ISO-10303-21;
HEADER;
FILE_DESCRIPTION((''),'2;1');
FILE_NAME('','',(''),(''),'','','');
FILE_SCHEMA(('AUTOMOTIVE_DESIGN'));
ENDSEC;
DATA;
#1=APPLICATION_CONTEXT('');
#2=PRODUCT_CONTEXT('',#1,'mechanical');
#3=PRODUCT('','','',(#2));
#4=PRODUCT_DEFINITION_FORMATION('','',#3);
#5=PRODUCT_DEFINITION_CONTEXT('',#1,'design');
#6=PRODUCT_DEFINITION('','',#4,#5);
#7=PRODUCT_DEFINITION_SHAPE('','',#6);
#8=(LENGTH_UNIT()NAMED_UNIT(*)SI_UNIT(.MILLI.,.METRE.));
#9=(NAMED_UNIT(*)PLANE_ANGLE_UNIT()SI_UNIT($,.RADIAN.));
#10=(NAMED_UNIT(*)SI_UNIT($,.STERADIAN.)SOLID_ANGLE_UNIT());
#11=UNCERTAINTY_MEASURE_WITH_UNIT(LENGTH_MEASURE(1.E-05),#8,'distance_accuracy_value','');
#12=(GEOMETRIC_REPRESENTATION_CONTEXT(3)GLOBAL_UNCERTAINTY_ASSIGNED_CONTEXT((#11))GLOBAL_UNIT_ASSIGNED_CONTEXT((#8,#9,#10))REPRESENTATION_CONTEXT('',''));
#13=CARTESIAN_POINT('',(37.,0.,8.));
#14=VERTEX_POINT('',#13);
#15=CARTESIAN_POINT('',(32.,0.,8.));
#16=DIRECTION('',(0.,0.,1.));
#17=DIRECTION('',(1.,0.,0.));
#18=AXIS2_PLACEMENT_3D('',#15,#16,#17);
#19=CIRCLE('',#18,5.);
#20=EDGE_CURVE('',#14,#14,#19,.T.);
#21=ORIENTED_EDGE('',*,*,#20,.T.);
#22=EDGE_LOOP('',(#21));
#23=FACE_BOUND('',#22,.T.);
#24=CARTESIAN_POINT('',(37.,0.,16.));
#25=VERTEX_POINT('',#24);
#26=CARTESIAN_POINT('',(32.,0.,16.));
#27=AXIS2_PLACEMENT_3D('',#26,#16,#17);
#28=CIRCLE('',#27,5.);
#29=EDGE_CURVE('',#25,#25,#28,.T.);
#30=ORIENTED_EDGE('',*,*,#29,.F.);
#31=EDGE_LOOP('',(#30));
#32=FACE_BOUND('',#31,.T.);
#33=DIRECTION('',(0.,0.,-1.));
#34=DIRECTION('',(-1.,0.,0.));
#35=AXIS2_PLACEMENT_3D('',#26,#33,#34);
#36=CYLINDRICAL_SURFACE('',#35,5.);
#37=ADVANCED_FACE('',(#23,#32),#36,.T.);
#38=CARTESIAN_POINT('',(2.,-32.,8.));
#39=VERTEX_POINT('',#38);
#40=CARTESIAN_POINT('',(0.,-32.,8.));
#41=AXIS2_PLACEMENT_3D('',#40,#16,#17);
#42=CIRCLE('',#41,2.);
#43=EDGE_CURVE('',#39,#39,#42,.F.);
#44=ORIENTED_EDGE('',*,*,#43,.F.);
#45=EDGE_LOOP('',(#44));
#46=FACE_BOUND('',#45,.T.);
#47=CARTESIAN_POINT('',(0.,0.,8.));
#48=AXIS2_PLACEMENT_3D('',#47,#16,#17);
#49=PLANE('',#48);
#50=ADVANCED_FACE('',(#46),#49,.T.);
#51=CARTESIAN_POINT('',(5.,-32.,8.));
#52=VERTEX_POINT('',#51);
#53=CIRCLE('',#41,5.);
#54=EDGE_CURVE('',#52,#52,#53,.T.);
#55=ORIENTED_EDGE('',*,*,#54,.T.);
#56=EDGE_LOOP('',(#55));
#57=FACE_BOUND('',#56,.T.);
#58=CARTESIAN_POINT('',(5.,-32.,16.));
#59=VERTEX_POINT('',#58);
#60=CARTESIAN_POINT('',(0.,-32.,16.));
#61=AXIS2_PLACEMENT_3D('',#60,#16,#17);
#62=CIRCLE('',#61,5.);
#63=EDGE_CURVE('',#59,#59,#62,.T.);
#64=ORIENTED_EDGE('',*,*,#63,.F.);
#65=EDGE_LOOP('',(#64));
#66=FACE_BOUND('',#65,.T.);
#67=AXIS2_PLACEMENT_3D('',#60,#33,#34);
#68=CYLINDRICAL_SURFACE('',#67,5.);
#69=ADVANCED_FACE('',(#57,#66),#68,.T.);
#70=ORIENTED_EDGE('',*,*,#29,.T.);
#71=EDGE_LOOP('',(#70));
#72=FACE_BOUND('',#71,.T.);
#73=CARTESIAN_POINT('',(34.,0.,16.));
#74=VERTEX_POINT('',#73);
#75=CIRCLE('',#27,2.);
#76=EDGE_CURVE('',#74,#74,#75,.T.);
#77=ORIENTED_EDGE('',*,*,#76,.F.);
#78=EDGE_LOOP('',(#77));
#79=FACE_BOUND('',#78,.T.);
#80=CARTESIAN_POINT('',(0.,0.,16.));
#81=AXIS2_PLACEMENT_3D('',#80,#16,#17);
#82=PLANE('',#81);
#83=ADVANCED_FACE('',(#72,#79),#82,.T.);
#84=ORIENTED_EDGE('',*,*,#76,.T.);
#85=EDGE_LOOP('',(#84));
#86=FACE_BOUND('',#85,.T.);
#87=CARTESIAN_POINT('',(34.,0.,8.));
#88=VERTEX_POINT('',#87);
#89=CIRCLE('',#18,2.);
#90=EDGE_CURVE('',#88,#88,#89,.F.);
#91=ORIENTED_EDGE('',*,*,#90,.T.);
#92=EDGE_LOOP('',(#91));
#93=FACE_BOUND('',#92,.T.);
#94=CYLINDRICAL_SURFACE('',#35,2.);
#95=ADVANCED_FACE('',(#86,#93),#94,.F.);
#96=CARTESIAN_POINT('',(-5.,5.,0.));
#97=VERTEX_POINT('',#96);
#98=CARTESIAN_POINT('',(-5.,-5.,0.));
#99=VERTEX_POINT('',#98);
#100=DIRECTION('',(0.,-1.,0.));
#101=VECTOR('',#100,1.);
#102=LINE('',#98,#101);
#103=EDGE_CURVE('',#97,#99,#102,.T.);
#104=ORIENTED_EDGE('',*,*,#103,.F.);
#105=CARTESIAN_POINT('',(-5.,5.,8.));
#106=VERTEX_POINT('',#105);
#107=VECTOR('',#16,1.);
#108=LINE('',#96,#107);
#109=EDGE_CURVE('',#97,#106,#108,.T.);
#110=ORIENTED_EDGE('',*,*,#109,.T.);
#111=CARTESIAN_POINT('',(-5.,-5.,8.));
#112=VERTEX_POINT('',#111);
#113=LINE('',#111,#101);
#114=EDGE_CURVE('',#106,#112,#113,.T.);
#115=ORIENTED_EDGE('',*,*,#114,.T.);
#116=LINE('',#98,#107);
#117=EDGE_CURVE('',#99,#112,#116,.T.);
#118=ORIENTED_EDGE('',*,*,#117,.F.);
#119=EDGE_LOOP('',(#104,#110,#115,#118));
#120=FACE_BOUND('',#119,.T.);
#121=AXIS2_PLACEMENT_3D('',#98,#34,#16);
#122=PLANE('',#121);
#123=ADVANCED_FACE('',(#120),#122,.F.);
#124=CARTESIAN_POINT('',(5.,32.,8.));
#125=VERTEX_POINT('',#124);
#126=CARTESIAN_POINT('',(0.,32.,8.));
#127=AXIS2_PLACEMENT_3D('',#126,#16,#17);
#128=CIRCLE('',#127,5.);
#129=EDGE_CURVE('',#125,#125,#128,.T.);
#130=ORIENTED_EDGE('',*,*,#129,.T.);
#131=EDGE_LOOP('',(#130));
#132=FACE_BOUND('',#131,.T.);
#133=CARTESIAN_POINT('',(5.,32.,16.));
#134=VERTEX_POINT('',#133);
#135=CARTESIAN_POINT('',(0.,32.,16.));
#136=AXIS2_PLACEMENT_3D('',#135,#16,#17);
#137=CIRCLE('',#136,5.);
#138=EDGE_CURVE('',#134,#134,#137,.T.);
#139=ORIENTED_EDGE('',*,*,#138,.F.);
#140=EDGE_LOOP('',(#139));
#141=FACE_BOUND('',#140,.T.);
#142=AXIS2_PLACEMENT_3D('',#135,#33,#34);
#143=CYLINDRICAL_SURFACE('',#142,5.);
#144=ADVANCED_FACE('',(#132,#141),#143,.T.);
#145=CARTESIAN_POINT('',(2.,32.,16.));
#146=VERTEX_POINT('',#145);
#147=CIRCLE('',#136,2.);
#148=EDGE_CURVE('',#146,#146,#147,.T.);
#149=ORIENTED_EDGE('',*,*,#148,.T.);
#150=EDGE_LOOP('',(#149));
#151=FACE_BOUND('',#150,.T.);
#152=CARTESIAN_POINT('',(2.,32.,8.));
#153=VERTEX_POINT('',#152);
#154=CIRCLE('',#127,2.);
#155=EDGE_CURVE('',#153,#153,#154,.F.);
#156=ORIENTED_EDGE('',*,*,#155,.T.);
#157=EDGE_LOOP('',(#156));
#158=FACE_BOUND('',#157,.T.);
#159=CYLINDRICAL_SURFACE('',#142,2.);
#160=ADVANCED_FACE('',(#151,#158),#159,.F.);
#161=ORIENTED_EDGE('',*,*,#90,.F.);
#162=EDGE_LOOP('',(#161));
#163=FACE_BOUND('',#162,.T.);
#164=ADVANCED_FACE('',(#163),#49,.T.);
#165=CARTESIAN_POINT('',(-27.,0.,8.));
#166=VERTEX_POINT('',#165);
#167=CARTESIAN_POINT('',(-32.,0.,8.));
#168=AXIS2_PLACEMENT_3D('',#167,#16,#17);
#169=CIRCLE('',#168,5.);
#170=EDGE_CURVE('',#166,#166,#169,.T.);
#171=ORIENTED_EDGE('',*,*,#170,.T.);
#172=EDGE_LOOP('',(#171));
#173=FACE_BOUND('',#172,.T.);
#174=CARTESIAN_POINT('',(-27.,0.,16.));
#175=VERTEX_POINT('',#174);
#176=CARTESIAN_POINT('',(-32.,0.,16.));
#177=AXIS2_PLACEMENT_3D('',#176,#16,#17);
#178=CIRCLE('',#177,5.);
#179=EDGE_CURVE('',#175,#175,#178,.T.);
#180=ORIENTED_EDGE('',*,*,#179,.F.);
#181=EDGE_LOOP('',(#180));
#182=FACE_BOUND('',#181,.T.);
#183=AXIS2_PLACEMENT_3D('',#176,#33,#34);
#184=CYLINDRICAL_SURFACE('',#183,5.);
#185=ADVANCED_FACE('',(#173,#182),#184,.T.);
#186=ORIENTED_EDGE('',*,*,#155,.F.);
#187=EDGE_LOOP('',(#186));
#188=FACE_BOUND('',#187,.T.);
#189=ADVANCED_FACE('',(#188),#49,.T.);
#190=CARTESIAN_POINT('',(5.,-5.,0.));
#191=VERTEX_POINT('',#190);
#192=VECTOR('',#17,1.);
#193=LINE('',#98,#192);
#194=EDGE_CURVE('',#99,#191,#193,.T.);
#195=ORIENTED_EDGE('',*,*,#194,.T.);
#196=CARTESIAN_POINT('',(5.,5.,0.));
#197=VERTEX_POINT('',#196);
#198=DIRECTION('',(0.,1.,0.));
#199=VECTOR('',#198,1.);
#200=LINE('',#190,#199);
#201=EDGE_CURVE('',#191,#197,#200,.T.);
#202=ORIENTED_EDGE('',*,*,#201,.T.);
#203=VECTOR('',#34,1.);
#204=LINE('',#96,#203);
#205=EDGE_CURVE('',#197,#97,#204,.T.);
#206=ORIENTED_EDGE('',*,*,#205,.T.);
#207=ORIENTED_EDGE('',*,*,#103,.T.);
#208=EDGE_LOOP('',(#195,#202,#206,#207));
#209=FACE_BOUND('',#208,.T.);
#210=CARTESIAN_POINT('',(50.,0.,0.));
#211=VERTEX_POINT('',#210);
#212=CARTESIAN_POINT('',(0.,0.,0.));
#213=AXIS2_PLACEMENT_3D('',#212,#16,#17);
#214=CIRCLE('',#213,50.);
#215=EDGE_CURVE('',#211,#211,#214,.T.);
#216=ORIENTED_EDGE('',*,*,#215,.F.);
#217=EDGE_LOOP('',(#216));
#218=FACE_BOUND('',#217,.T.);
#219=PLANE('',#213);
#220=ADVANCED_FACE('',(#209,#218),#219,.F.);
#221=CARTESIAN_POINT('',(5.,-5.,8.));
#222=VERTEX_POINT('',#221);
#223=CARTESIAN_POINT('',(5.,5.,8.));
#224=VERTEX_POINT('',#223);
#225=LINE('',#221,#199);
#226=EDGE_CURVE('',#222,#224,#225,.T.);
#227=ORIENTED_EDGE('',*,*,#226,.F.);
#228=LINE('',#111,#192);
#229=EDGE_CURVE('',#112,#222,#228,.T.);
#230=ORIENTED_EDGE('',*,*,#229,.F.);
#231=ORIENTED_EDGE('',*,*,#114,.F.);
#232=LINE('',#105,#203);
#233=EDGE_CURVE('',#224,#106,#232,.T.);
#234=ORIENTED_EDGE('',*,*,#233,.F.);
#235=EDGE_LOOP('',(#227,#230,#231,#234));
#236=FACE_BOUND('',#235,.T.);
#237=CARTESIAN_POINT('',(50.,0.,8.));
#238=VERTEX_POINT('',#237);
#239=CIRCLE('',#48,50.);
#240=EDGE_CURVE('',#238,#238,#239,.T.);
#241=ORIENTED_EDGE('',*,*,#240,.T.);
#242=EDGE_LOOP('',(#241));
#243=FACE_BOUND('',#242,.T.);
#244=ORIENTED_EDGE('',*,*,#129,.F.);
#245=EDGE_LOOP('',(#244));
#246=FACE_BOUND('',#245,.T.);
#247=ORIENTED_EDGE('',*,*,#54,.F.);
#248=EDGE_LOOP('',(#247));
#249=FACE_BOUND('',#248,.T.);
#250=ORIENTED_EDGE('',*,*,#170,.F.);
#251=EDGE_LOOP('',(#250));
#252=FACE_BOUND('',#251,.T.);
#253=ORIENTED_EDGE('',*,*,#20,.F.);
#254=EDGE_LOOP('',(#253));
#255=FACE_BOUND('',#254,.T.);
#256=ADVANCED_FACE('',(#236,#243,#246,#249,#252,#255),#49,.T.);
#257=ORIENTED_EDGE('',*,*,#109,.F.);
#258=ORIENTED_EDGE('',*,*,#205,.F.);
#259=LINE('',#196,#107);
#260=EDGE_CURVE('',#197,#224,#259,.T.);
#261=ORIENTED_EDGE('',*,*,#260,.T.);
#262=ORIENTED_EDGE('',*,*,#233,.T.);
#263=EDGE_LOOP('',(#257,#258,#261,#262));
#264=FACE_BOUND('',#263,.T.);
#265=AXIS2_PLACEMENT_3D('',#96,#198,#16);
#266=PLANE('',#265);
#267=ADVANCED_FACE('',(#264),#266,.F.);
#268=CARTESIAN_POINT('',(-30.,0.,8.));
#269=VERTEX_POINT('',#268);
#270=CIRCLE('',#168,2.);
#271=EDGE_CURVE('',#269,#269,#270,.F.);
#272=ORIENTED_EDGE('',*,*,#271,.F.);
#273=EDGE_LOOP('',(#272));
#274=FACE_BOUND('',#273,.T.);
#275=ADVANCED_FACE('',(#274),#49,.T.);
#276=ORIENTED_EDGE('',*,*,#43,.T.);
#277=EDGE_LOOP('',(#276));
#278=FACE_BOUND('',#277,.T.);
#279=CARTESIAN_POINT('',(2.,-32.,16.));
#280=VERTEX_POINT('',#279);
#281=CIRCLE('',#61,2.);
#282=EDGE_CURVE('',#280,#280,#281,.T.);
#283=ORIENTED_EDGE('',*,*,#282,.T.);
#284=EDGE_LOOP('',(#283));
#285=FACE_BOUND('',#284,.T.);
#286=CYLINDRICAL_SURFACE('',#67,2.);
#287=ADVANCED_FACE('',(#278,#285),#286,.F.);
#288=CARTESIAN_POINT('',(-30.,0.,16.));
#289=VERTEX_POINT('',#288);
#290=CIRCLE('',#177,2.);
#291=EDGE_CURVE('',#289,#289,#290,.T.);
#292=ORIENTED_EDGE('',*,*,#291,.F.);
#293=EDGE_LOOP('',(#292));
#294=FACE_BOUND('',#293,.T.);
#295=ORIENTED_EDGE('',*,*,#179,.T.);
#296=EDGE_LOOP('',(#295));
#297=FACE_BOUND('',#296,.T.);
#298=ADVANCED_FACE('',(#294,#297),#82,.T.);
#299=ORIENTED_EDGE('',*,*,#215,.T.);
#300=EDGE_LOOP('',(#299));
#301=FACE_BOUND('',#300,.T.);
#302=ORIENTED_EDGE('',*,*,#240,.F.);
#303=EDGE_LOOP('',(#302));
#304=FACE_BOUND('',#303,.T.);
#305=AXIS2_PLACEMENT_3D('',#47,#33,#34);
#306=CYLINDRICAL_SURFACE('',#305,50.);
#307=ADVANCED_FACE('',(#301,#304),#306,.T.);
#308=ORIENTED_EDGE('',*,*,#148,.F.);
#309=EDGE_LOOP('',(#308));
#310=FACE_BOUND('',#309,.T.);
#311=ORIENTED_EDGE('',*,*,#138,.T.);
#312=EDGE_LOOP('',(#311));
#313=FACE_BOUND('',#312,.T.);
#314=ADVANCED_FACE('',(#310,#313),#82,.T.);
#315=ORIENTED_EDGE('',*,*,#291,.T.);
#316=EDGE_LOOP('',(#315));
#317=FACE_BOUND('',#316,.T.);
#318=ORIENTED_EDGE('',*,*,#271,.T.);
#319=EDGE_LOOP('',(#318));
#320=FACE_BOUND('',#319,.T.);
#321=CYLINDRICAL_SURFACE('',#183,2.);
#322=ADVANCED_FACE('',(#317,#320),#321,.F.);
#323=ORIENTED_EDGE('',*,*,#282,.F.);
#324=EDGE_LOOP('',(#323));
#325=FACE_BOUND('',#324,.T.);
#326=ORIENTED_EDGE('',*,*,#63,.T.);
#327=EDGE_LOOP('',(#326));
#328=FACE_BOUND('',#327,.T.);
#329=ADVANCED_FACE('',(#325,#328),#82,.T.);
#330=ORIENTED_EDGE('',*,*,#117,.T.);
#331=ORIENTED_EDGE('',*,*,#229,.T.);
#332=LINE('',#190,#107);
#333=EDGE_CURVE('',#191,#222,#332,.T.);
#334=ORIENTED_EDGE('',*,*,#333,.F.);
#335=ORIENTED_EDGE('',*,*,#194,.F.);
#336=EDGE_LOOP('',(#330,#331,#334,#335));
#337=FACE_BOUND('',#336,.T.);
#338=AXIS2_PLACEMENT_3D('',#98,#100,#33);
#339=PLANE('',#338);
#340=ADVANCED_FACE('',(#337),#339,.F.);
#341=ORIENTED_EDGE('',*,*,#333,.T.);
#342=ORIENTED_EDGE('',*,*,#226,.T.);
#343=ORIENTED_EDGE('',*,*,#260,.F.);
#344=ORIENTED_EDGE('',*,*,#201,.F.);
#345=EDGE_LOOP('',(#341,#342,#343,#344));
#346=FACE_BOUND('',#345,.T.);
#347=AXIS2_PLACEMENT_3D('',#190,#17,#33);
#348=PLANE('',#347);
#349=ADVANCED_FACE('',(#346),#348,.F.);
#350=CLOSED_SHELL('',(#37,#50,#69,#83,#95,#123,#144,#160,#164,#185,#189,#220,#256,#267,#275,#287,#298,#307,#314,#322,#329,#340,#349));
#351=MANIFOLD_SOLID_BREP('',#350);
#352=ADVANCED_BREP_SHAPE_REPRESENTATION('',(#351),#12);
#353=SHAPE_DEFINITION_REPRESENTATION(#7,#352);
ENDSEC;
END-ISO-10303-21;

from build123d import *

# Parameters (mm, degrees)
SKETCH_1_R          = 50
EXTRUDE_1_DEPTH     = 8
SKETCH_2_W          = 10
SKETCH_2_H          = 10
CUT_EXTRUDE_1_DEPTH = 8
SKETCH_3_R          = 5
SKETCH_3_R_2        = 2
EXTRUDE_3_DEPTH     = 8


with BuildPart() as part:
    # 草图1 → 凸台-拉伸1 (new body)
    with BuildSketch(Plane.XY):
        Circle(SKETCH_1_R)
    extrude(amount=EXTRUDE_1_DEPTH)

    # 草图2 → 切除-拉伸1 (cut)
    with BuildSketch(Plane.XY.offset(8)):
        Rectangle(SKETCH_2_W, SKETCH_2_H)
    extrude(amount=-CUT_EXTRUDE_1_DEPTH, mode=Mode.SUBTRACT)

    # 草图3 → 凸台-拉伸3 (add)
    # profile 1 of 4: a face of its own
    with BuildSketch(Plane.XY.offset(8)):
        with Locations((0, 32)):
            Circle(SKETCH_3_R)
        with Locations((0, 32)):
            Circle(SKETCH_3_R_2, mode=Mode.SUBTRACT)
    # profile 2 of 4: a face of its own
    with BuildSketch(Plane.XY.offset(8)):
        with Locations((32, 0)):
            Circle(SKETCH_3_R)
        with Locations((32, 0)):
            Circle(SKETCH_3_R_2, mode=Mode.SUBTRACT)
    # profile 3 of 4: a face of its own
    with BuildSketch(Plane.XY.offset(8)):
        with Locations((0, -32)):
            Circle(SKETCH_3_R)
        with Locations((0, -32)):
            Circle(SKETCH_3_R_2, mode=Mode.SUBTRACT)
    # profile 4 of 4: a face of its own
    with BuildSketch(Plane.XY.offset(8)):
        with Locations((-32, 0)):
            Circle(SKETCH_3_R)
        with Locations((-32, 0)):
            Circle(SKETCH_3_R_2, mode=Mode.SUBTRACT)
    extrude(amount=EXTRUDE_3_DEPTH)


solid = part.part
